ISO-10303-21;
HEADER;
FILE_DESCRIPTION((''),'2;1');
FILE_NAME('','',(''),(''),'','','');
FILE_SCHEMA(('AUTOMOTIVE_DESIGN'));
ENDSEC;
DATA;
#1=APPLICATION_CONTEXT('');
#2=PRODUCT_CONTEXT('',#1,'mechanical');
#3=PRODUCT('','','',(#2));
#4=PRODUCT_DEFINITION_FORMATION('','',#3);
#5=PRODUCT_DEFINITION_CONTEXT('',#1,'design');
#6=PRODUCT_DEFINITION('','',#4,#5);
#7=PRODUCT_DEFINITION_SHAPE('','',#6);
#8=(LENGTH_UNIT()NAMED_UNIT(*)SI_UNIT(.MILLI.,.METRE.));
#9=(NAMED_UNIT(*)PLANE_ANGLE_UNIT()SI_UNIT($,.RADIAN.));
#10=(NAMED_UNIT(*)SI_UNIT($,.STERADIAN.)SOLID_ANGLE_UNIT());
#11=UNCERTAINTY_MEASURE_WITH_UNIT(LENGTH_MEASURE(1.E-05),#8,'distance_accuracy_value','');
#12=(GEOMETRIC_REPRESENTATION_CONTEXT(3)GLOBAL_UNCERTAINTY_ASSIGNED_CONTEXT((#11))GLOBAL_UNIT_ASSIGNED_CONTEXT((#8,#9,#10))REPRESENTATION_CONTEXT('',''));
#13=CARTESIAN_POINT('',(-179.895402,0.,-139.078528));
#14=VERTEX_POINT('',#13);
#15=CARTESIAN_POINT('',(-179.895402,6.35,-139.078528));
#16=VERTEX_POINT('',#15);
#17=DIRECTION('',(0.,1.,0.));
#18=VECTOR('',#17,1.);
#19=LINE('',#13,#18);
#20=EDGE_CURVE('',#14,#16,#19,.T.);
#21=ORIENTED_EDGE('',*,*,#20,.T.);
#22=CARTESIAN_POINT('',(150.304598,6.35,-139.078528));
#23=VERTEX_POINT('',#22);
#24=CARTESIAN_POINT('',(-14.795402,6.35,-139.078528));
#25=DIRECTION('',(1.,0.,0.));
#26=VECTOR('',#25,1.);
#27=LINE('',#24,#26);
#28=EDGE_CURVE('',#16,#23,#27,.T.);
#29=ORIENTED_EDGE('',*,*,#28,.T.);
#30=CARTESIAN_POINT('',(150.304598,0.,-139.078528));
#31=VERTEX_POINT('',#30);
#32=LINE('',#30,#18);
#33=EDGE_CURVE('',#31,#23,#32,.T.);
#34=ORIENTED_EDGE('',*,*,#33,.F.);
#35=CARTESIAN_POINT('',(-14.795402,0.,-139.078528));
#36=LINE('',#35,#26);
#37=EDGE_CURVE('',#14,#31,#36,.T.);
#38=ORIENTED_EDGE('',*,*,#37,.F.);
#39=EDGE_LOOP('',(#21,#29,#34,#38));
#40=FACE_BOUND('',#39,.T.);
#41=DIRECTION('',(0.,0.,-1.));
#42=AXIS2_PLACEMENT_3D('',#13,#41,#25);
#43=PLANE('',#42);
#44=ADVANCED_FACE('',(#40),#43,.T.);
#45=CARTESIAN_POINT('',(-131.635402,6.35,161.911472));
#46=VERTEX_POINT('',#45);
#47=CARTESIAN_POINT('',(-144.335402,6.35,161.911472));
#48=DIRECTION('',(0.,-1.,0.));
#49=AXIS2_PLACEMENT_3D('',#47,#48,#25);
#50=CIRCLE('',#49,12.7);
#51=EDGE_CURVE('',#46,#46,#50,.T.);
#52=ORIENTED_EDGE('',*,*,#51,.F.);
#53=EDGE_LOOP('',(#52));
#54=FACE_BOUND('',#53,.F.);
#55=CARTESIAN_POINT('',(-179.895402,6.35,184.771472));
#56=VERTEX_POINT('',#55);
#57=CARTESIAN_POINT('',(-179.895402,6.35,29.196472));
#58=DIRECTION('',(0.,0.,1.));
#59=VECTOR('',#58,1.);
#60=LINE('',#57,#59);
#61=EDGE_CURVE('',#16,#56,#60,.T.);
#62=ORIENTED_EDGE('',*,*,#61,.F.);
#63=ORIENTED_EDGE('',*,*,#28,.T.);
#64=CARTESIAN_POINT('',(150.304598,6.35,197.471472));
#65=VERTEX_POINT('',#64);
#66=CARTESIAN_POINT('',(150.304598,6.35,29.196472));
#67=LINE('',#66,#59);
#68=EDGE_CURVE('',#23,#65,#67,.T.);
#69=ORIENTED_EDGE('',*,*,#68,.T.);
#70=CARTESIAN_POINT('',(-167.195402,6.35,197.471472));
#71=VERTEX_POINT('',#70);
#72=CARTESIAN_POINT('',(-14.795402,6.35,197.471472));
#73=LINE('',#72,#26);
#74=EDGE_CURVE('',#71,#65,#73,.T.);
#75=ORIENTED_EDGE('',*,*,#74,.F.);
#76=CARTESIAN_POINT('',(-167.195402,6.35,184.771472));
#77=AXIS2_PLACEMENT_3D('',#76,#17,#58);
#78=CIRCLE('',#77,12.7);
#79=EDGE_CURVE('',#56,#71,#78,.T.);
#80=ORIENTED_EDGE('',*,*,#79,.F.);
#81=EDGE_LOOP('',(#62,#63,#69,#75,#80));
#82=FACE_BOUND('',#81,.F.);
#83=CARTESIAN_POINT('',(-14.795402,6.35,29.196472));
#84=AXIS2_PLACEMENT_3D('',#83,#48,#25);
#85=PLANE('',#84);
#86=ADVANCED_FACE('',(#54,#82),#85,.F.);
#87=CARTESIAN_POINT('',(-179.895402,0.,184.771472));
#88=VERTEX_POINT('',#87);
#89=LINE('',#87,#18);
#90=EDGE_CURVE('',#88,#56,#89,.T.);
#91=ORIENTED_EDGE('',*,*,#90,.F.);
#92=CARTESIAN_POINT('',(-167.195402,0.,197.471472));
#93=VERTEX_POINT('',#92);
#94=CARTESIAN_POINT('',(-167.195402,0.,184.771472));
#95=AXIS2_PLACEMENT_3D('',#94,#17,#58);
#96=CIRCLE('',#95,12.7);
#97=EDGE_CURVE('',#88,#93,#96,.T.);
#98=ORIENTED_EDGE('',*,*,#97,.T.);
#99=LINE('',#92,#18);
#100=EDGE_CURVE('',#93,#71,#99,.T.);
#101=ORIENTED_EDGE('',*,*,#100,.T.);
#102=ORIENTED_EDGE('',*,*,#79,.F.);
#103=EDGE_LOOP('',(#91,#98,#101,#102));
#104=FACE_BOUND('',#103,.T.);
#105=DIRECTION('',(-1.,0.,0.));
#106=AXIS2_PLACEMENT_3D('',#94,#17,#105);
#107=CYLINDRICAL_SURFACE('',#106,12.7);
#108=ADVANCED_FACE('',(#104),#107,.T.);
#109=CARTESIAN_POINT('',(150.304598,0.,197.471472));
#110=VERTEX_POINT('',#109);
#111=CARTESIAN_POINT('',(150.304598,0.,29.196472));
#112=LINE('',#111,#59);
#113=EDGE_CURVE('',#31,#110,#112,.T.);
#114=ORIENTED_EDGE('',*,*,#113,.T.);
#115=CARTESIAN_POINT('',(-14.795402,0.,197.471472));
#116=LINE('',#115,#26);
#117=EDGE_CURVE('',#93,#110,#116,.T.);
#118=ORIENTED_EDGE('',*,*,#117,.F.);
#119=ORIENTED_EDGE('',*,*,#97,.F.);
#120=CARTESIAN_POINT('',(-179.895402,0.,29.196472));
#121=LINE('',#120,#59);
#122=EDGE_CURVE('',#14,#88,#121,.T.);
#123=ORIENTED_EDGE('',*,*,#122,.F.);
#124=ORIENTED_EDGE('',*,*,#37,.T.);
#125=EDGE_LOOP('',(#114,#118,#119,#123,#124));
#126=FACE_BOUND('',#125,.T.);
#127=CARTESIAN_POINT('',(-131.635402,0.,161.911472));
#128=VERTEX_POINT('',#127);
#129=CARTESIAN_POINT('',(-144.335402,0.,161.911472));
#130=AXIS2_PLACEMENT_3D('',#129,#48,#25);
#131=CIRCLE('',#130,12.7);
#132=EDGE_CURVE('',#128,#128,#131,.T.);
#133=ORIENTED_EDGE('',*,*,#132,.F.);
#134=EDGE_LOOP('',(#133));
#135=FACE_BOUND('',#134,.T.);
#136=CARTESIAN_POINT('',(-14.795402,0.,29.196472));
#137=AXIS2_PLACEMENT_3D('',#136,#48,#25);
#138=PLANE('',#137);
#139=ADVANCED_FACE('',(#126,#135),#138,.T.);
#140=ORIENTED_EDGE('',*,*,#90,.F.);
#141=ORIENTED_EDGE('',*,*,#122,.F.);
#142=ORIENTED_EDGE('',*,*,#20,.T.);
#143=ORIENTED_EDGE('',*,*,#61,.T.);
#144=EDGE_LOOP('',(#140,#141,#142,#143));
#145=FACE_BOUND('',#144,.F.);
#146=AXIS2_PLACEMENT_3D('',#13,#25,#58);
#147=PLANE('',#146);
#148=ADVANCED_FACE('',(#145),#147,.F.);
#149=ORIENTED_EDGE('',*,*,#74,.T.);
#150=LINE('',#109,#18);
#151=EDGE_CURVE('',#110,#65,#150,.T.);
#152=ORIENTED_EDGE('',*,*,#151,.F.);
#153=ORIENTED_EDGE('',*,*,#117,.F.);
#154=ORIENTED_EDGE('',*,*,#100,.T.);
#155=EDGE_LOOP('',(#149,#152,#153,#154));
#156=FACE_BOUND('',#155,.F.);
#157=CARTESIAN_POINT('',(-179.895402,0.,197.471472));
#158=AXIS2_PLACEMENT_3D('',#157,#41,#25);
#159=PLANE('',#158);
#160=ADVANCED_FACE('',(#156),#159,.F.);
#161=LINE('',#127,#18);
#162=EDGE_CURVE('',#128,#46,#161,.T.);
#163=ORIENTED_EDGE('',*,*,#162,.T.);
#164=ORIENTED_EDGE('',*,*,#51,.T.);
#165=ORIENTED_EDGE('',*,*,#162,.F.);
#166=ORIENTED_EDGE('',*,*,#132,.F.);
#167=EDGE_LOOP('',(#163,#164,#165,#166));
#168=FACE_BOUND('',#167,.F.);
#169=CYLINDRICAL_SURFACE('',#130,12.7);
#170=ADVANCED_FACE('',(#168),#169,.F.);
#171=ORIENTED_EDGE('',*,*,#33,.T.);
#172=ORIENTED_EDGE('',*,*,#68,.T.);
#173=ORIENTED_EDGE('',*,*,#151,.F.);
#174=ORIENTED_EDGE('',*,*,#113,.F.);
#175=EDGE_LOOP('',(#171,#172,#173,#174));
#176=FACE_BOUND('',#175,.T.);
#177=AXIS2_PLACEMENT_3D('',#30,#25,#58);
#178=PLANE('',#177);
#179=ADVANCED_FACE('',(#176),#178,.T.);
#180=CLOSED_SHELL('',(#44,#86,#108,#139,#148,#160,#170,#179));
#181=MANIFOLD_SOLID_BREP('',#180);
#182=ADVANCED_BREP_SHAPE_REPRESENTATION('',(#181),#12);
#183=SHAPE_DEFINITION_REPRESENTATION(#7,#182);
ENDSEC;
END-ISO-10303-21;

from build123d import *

# Parameters (mm, degrees)
F0_W     = 330.2
F0_H     = 336.55
F1_DEPTH = 6.35
F2_R     = 12.7
F3_R     = 12.7
F4_DEPTH = 25.4


with BuildPart() as f1:
    # F0 (on Front) → F1 (new body)
    with BuildSketch(Plane.XZ):
        with Locations((-14.795402, 29.196472)):
            Rectangle(F0_W, F0_H)
    extrude(amount=-F1_DEPTH)

    # F2
    f2_edges = [f1.edges().sort_by_distance(p)[0] for p in [
        (-179.895402, 3.175, 197.471472),
    ]]
    fillet(f2_edges, radius=F2_R)

    # F3 (on face) → F4 (cut)
    with BuildSketch(Plane.XZ):
        with Locations((-144.335402, 161.911472)):
            Circle(F3_R)
    extrude(amount=-F4_DEPTH, mode=Mode.SUBTRACT)


solid = f1.part
